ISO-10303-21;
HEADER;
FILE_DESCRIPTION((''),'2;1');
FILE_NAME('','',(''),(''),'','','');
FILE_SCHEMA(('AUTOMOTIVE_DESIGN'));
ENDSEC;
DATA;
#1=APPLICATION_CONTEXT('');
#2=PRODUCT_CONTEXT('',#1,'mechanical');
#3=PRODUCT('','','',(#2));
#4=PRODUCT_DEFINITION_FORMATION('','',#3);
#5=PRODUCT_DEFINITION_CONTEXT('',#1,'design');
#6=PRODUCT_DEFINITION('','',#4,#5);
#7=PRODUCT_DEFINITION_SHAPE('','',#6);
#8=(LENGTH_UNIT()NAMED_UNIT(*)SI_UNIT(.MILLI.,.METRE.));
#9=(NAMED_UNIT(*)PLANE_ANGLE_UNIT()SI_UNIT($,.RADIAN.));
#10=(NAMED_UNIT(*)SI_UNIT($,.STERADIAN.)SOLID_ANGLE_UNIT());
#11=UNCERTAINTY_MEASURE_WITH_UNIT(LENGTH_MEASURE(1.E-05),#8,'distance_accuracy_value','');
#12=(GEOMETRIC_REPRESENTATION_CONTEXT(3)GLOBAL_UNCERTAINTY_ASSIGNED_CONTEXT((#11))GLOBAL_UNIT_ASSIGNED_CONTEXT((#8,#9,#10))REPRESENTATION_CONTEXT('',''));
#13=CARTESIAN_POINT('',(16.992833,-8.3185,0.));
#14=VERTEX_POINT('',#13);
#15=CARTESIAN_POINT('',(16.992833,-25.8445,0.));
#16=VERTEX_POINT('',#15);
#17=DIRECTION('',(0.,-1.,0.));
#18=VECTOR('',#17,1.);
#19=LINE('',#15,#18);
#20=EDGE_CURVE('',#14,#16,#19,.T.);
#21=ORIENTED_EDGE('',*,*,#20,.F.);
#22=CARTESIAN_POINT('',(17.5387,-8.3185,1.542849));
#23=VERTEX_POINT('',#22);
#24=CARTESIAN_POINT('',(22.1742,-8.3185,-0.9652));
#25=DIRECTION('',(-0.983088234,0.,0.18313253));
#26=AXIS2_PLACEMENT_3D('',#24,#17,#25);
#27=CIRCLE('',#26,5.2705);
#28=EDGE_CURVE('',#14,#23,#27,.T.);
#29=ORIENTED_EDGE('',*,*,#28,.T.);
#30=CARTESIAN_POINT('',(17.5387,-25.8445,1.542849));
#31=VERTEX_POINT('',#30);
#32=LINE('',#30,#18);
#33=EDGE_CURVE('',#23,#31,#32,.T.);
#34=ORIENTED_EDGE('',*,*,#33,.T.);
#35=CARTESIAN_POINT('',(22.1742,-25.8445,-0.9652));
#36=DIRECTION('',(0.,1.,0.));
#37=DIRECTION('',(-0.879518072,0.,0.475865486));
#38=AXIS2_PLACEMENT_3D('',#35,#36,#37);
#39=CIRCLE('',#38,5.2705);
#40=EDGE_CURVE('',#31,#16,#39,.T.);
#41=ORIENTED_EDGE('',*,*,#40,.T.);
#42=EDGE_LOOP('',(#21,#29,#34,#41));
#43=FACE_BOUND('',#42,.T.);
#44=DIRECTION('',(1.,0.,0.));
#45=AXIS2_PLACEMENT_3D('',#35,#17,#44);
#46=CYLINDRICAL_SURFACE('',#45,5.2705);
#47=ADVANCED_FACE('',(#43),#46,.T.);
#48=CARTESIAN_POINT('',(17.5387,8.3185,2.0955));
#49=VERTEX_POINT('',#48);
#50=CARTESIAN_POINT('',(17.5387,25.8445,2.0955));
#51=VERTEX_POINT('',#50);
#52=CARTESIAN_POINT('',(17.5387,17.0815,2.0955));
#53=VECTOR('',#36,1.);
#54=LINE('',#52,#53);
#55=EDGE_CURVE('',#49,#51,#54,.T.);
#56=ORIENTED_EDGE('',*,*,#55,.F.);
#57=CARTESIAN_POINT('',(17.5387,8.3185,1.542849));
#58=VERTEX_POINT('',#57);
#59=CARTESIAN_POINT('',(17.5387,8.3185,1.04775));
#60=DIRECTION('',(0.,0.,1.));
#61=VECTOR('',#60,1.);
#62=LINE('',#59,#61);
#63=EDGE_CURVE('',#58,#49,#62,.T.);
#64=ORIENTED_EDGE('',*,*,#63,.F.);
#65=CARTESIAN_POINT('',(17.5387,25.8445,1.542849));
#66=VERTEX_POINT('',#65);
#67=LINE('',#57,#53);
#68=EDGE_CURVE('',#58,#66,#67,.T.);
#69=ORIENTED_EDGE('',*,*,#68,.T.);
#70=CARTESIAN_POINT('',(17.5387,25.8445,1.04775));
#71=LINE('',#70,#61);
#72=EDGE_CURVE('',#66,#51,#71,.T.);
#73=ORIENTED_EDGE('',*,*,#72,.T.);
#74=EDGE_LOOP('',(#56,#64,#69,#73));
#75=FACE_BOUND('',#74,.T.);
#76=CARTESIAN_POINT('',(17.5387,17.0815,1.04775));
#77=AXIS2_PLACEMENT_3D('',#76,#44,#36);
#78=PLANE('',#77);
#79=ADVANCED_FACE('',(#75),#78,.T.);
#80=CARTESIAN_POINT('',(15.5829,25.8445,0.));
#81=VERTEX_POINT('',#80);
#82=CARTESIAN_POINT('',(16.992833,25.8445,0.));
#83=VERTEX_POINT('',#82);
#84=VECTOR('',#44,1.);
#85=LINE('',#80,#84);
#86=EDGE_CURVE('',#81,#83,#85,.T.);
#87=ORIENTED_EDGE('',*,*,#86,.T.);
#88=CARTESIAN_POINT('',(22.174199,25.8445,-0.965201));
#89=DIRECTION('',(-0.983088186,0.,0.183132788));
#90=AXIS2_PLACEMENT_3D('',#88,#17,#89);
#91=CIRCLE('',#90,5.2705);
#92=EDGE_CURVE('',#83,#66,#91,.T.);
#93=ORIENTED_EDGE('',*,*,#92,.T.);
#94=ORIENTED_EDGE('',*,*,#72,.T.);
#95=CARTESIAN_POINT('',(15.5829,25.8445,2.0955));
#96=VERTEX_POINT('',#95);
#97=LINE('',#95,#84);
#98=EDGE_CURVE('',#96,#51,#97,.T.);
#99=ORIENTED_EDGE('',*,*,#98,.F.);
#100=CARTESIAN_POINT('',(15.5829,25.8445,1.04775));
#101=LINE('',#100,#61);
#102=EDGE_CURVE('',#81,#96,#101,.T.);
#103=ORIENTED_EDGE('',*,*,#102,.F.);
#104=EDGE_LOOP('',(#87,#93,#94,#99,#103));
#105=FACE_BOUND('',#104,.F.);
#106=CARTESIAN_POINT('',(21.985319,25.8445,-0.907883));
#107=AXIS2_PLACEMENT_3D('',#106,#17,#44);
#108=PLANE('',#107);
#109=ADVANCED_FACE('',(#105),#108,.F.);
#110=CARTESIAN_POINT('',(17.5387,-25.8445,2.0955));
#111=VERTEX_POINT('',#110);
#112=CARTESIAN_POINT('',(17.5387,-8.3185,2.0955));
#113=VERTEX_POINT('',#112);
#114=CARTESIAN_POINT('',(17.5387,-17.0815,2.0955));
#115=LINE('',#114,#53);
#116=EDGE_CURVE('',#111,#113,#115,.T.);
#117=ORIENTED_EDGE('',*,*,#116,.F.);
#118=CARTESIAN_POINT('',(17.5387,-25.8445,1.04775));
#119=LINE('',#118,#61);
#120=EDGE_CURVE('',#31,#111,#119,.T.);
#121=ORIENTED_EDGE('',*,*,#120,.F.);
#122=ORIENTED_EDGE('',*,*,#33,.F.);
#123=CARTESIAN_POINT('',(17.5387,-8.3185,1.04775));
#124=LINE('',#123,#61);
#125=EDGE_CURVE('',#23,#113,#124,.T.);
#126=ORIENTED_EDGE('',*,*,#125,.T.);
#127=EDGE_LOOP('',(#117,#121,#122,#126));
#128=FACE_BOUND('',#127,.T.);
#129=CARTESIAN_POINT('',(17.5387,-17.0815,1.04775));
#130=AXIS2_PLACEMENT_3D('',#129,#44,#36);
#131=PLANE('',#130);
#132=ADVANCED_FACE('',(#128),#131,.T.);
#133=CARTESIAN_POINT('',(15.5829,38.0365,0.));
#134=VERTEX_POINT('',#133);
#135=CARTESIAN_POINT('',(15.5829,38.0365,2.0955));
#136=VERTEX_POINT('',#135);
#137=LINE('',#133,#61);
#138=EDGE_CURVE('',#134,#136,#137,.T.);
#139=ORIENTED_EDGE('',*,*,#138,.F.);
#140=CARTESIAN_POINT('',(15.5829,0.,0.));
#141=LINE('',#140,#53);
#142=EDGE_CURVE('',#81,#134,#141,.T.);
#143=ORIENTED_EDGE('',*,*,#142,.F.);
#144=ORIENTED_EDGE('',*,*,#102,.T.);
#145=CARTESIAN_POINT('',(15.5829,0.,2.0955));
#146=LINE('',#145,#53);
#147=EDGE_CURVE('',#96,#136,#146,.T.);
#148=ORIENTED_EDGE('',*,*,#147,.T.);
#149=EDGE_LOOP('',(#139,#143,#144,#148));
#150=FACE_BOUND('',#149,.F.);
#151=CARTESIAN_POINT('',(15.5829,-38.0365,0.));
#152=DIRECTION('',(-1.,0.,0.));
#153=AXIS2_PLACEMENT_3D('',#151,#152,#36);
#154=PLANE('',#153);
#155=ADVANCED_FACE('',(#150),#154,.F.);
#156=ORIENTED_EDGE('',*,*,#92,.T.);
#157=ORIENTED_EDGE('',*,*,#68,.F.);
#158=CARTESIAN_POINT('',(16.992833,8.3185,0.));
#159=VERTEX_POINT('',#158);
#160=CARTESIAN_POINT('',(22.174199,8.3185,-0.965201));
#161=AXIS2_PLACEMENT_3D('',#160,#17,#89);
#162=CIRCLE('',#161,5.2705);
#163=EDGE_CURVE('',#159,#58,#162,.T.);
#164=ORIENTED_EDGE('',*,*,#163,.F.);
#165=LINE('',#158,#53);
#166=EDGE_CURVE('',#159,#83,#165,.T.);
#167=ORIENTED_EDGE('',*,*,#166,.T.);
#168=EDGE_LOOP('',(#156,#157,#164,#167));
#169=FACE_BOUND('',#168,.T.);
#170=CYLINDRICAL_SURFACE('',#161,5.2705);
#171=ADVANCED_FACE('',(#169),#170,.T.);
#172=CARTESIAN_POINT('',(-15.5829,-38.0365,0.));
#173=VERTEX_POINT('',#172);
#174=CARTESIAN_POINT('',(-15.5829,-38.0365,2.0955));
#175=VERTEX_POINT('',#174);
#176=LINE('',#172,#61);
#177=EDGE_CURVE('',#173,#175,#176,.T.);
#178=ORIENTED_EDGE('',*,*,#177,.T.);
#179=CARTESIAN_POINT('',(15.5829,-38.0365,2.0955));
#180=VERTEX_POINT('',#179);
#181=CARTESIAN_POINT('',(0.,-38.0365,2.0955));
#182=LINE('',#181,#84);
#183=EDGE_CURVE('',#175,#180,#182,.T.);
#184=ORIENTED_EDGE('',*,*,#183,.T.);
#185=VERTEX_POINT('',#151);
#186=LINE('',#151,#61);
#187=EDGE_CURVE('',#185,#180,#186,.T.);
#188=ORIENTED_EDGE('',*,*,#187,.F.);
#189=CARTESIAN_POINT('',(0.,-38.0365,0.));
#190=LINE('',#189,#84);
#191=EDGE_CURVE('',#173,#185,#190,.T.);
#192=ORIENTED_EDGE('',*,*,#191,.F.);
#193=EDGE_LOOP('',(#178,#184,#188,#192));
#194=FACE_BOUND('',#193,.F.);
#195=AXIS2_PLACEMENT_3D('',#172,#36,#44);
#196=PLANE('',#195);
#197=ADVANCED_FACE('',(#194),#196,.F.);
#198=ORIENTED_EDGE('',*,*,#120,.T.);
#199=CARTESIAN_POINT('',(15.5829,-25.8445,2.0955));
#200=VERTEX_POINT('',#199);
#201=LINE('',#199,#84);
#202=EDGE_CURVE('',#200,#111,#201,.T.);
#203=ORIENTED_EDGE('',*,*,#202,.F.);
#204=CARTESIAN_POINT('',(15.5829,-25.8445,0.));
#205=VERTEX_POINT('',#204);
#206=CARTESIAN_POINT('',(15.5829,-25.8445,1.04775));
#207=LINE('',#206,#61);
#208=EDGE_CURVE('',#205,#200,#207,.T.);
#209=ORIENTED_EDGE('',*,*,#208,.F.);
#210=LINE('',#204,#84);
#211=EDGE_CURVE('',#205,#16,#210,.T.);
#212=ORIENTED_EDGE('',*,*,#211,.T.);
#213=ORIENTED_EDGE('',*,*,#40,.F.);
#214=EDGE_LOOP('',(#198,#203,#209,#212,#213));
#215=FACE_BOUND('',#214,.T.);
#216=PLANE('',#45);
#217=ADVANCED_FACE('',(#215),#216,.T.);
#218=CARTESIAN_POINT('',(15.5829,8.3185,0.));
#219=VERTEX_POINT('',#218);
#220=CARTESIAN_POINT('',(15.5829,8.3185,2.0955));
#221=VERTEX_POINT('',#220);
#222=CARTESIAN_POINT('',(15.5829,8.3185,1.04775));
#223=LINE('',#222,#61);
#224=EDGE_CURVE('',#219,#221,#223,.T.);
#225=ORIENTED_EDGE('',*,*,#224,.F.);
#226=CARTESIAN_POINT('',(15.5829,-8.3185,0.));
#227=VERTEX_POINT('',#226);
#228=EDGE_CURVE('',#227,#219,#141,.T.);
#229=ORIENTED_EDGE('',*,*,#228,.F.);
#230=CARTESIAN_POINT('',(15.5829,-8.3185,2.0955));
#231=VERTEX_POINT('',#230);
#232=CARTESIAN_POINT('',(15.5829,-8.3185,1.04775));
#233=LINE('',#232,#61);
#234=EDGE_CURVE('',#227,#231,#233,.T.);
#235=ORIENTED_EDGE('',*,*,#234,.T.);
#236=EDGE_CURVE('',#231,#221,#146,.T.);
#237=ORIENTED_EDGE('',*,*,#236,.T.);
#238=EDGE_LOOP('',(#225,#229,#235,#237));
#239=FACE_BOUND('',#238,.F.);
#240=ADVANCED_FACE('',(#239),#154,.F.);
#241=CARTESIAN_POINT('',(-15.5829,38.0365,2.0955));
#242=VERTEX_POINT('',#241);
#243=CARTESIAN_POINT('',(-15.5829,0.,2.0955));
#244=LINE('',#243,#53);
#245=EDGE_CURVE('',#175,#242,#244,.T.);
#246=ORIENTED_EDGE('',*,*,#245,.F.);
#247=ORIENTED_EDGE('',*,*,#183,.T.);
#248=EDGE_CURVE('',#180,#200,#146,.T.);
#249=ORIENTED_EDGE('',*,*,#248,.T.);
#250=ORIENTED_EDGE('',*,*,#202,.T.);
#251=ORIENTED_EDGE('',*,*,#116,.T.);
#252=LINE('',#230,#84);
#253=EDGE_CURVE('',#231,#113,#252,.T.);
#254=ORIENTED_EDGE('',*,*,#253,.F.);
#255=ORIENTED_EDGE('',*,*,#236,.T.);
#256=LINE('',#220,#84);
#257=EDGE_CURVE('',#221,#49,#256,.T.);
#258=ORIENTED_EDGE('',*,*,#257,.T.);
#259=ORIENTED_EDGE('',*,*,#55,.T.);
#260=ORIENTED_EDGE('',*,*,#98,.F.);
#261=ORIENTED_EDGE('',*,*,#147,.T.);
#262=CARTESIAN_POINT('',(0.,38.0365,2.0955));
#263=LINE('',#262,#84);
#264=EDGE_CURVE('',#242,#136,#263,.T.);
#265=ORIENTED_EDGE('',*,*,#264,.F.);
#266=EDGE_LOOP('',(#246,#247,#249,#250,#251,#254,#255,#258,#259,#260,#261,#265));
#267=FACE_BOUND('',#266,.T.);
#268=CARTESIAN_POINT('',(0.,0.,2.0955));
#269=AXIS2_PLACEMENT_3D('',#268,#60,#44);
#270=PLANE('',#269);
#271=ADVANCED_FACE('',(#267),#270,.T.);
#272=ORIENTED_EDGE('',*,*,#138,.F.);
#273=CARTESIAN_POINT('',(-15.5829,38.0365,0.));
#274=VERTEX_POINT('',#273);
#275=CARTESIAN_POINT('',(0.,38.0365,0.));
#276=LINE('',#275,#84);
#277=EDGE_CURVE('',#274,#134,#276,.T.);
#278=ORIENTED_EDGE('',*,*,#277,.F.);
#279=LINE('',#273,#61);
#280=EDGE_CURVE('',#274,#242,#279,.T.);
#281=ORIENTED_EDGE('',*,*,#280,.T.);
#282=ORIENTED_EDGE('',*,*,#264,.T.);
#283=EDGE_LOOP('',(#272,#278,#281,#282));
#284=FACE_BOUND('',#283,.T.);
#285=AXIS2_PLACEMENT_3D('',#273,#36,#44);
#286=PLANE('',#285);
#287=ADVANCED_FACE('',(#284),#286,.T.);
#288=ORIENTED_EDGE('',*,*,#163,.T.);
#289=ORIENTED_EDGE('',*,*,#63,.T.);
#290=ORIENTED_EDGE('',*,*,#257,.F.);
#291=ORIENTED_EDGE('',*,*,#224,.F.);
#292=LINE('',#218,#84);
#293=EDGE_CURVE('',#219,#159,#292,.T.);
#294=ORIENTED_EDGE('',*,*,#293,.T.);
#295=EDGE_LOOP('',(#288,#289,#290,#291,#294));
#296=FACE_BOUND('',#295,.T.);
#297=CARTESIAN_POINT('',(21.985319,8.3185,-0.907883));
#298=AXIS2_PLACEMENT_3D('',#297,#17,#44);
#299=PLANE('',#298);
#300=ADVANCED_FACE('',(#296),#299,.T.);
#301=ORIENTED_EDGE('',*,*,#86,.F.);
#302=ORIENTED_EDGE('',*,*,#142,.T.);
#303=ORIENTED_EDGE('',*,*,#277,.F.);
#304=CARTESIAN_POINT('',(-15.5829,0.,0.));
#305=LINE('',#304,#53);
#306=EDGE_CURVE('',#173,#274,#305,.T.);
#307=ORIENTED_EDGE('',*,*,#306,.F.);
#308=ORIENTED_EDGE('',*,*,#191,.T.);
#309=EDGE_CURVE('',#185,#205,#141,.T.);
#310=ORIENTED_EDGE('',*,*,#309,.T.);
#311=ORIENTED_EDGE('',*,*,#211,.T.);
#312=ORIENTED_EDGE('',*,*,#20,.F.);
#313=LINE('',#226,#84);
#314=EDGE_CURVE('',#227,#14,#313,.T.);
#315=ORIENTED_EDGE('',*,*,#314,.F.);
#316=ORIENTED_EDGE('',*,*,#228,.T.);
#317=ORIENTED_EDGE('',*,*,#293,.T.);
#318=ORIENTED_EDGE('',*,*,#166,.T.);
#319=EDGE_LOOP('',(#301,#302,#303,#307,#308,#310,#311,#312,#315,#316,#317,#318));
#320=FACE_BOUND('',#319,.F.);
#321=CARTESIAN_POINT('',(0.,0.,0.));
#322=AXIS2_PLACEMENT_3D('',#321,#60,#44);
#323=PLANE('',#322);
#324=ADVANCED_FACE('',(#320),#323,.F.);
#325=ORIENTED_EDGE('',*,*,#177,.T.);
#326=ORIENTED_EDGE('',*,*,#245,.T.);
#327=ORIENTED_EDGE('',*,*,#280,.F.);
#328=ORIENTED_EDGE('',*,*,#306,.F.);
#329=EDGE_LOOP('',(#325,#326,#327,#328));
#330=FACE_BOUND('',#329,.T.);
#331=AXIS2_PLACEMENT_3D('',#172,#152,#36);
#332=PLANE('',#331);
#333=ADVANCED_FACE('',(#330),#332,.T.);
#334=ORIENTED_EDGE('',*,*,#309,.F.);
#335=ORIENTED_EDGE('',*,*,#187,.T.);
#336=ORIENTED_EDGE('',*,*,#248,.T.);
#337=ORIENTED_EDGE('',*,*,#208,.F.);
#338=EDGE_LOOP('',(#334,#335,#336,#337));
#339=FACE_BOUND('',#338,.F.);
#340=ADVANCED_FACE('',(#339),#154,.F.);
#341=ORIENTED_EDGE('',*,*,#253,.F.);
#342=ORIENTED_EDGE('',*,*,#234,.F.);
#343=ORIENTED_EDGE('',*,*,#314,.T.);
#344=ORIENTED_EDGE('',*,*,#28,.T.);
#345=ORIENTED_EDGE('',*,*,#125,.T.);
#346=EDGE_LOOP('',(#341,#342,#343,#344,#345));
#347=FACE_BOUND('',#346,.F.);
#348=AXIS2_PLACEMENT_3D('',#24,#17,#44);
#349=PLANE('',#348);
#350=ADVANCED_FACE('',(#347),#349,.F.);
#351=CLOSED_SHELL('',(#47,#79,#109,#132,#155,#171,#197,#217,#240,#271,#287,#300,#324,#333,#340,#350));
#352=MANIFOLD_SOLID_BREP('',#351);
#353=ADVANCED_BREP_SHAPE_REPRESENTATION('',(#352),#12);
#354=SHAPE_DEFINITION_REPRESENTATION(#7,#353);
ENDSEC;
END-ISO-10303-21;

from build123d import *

# Parameters (mm, degrees)
F0_W     = 31.1658
F0_H     = 76.073
F1_DEPTH = 2.0955
F2_W     = 17.526
F2_H     = 2.0955
F3_DEPTH = 1.9558
F4_R     = 5.2705
F5_DEPTH = 17.526
F7_DEPTH = 17.526


with BuildPart() as f1:
    # F0 (on Top) → F1 (new body)
    with BuildSketch(Plane.XY):
        Rectangle(F0_W, F0_H)
    extrude(amount=F1_DEPTH)

    # F2 (on face) → F3 (join)
    with BuildSketch(Plane.YZ.offset(15.5829)):
        with Locations((-17.0815, 1.04775)):
            Rectangle(F2_W, F2_H)
        with Locations((17.0815, 1.04775)):
            Rectangle(F2_W, F2_H)
    extrude(amount=F3_DEPTH)

    # F4 (on face) → F5 (join, through all)
    with BuildSketch(Plane.XZ.offset(25.8445)):
        with Locations((22.1742, -0.9652)):
            Circle(F4_R)
    extrude(amount=-F5_DEPTH)

    # F6 (on face) → F7 (join, through all)
    with BuildSketch(Plane.XZ.offset(-8.3185)):
        with BuildLine():
            Line((17.5387, 0), (16.992833, 0))
            ThreePointArc((16.992833, 0), (27.142883, -2.723141), (17.5387, 1.542849))
            Line((17.5387, 1.542849), (17.5387, 0))
        make_face()
    extrude(amount=-F7_DEPTH)


solid = f1.part
